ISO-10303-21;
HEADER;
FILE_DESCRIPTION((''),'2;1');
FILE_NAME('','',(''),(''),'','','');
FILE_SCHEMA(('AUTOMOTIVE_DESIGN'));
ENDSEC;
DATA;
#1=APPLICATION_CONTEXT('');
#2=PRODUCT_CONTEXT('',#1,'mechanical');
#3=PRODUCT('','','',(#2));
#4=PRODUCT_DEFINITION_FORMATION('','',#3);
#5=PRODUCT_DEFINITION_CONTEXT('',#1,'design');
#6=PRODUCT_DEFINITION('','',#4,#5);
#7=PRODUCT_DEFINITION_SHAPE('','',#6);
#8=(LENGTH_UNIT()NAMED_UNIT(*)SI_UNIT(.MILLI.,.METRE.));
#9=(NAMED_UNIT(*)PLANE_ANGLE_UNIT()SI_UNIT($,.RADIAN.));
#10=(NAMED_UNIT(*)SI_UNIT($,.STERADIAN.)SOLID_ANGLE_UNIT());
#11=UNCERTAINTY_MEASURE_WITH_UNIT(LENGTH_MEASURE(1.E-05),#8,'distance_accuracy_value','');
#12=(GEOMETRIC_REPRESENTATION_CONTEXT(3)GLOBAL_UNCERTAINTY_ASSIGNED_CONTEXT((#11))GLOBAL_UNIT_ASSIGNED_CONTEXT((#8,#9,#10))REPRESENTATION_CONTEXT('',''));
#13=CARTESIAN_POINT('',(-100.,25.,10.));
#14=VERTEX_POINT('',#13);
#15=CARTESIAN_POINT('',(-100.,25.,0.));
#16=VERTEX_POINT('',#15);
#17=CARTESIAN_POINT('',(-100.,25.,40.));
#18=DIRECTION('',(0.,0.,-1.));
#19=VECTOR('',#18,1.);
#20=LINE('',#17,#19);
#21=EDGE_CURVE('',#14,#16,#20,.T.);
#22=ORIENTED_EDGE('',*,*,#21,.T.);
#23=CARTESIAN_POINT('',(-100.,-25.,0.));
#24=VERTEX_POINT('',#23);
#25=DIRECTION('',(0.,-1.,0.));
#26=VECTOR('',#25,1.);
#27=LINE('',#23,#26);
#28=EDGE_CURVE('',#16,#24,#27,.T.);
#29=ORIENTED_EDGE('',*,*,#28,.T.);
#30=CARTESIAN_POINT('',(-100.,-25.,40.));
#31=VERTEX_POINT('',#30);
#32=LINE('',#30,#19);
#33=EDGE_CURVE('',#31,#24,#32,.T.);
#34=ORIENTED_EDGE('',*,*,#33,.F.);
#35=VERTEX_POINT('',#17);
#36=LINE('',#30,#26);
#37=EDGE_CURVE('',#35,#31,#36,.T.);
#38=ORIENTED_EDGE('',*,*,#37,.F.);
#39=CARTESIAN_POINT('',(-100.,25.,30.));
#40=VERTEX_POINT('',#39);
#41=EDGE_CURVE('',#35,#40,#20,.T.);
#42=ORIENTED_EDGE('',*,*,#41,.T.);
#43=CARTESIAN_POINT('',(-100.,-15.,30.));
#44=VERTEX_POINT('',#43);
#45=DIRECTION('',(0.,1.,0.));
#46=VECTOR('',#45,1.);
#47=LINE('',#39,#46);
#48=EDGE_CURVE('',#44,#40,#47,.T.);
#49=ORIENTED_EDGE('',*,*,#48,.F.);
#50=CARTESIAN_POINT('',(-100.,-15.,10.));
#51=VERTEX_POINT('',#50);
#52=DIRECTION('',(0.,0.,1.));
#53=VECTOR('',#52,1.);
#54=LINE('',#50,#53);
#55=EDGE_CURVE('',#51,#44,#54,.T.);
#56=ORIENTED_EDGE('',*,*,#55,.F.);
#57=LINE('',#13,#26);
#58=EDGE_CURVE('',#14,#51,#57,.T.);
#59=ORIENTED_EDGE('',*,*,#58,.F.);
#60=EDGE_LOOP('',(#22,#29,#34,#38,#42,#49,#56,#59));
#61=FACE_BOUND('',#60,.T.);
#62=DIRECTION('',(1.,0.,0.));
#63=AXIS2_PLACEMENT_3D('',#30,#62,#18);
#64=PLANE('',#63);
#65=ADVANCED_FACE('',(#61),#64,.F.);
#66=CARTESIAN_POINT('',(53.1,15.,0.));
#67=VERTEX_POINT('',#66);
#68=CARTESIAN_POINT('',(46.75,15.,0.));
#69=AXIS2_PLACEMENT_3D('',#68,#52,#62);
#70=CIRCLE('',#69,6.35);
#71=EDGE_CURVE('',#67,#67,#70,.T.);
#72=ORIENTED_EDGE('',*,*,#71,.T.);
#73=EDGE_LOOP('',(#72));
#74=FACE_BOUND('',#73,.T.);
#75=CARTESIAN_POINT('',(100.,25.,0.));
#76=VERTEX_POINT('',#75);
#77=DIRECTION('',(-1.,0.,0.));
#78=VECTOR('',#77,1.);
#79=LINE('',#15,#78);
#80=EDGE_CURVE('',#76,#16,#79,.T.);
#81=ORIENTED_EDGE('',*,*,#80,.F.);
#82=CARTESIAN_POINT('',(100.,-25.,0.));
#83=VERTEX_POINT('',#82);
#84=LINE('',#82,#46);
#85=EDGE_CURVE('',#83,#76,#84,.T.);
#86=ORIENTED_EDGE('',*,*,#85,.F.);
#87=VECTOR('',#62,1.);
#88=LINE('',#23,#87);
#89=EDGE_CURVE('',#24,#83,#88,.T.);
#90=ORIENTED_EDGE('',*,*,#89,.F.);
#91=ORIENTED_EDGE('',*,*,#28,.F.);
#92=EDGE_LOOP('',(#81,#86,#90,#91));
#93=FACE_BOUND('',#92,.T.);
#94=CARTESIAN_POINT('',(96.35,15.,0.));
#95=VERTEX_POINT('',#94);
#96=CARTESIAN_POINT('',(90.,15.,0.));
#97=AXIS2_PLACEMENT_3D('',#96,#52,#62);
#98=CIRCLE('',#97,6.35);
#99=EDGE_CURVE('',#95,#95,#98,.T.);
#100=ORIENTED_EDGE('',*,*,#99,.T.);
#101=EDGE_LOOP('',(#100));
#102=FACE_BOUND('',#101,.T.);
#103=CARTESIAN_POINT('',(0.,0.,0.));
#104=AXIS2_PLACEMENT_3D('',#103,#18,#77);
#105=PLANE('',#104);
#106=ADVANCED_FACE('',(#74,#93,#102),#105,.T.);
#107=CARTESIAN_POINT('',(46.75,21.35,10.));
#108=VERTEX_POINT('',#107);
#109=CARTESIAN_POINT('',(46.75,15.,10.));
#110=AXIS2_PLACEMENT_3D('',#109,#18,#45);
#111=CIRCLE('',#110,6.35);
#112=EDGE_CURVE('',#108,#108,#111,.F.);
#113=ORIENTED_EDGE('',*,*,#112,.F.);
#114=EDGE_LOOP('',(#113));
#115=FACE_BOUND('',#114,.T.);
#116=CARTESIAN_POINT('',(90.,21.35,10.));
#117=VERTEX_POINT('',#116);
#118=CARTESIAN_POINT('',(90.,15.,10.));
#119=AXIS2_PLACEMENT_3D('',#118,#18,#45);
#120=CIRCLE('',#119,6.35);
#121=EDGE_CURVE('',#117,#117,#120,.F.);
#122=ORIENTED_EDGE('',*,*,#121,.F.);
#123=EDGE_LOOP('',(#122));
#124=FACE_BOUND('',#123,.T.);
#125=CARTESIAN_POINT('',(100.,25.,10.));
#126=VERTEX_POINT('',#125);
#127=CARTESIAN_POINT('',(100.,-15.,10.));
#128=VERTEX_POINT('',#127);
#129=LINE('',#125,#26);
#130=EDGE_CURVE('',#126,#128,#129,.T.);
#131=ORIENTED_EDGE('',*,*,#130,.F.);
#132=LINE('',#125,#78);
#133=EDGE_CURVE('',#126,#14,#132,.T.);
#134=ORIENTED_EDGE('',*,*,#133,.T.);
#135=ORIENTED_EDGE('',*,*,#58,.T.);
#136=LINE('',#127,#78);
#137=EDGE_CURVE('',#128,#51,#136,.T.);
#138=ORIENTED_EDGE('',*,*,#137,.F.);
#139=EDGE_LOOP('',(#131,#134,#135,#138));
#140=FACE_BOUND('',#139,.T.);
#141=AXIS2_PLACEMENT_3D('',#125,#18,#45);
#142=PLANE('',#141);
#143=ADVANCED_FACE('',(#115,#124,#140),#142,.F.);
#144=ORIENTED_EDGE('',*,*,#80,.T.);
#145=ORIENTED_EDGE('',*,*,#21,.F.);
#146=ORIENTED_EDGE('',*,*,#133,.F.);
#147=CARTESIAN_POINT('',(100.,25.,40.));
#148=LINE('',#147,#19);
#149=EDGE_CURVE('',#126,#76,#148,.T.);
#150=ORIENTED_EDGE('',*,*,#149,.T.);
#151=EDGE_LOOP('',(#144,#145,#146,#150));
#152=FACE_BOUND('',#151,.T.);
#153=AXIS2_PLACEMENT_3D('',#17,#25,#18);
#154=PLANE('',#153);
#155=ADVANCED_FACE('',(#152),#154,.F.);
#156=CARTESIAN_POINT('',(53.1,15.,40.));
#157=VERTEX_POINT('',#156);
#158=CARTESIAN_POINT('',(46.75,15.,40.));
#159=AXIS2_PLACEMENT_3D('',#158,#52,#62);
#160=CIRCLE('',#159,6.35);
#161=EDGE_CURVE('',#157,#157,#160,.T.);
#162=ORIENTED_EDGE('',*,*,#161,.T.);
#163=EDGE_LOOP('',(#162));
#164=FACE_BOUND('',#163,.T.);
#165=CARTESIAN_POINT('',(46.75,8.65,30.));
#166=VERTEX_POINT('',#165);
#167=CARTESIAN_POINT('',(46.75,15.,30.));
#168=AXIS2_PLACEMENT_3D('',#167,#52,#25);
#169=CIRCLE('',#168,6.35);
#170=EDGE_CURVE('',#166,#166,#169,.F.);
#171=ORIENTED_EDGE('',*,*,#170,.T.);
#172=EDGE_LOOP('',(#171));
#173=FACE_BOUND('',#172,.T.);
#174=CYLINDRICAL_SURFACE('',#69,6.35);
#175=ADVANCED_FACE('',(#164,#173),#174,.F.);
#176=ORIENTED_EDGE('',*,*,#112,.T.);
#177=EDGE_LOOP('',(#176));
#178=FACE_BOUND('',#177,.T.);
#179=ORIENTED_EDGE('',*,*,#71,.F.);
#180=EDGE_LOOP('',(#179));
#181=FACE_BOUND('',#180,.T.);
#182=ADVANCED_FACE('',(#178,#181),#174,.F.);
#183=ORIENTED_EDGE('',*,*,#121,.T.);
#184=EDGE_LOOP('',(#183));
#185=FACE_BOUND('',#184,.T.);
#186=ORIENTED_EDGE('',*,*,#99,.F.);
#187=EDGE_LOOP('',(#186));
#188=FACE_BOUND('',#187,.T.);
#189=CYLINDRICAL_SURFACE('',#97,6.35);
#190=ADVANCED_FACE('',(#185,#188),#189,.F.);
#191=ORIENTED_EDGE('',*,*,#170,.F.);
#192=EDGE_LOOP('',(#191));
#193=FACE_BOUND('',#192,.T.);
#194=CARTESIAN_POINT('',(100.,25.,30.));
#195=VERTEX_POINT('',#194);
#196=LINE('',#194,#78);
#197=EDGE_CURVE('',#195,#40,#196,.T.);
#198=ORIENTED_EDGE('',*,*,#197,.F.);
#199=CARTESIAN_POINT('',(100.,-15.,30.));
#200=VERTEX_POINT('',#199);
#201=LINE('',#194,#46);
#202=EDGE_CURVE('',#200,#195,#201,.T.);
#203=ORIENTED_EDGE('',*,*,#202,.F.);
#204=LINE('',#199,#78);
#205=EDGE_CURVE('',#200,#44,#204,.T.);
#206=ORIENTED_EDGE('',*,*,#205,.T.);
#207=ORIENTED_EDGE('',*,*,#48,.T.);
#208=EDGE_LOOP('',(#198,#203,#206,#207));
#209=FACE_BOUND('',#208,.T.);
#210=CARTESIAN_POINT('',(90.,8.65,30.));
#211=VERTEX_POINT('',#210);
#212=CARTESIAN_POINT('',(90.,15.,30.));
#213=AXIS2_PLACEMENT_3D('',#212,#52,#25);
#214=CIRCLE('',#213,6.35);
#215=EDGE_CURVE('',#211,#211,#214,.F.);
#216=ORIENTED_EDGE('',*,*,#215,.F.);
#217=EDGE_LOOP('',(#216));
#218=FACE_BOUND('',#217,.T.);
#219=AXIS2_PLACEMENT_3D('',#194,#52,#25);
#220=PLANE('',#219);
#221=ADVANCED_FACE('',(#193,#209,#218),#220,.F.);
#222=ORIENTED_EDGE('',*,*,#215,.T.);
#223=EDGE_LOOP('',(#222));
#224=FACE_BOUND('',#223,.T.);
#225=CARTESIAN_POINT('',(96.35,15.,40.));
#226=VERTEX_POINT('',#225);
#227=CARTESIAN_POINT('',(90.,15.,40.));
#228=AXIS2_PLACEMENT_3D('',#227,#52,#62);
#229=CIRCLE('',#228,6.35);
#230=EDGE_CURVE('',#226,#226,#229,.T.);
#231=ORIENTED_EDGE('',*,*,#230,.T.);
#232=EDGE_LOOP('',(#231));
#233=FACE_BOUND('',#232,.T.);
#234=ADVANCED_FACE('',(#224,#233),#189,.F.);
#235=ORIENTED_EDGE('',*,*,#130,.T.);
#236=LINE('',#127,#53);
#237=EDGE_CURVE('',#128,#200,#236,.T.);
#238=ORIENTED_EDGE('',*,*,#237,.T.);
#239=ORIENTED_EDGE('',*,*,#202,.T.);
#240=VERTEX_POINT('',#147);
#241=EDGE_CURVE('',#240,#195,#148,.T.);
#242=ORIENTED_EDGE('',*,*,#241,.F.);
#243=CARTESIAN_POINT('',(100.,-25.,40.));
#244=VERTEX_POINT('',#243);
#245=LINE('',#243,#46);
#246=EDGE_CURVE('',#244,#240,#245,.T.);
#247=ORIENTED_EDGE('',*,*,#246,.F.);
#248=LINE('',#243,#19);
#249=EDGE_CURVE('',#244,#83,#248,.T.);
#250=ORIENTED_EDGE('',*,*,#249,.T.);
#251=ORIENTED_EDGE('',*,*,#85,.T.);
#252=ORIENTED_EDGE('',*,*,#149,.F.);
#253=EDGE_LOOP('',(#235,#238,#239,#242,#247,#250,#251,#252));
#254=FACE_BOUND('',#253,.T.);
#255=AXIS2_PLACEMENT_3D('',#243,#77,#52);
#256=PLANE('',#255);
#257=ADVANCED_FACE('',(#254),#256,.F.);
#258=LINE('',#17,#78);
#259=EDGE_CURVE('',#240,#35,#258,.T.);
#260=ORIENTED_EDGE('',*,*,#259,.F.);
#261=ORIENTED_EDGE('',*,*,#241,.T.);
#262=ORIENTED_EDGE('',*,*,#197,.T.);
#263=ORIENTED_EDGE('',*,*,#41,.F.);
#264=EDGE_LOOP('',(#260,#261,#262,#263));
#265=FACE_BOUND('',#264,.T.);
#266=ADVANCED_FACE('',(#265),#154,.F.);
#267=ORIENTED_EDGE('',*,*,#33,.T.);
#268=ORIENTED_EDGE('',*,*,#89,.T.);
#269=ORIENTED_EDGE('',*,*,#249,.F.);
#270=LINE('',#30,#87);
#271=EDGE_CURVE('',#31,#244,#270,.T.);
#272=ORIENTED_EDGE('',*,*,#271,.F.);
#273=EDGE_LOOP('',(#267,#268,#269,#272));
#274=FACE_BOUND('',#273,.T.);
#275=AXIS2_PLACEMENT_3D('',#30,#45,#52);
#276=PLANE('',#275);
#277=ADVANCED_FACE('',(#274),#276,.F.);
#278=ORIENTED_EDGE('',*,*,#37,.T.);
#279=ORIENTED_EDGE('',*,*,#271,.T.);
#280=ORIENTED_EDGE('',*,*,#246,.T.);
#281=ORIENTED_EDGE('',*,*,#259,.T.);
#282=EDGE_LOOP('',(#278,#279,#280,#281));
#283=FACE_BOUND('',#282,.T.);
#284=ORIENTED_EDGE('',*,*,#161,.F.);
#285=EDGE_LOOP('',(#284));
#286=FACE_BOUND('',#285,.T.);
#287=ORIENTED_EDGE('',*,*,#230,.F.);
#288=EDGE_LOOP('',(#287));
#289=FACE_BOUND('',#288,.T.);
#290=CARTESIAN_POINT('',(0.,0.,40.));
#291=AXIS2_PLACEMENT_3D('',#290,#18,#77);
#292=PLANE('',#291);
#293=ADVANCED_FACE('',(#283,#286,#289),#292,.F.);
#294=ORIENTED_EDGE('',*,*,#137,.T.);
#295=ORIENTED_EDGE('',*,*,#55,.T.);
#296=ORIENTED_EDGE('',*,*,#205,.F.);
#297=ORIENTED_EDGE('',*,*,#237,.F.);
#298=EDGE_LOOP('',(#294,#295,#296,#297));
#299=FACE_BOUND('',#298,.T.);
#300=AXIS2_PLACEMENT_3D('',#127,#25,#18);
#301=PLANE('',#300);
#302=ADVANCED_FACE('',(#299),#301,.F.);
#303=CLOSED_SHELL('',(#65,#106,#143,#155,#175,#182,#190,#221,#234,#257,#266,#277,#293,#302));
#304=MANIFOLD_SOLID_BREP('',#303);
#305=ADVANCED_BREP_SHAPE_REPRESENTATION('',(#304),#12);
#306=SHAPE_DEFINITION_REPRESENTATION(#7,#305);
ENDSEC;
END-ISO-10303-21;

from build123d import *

# Parameters (mm, degrees)
SKETCH1_W           = 200
SKETCH1_H           = 50
BOSS_EXTRUDE1_DEPTH = 40
SKETCH2_R           = 6.35
CUT_EXTRUDE1_DEPTH  = 111.566721937
SKETCH4_W           = 20
SKETCH4_H           = 40
CUT_EXTRUDE2_DEPTH  = 206.48722588


with BuildPart() as part:
    # Sketch1 → Boss-Extrude1 (new body)
    with BuildSketch(Plane.XY):
        Rectangle(SKETCH1_W, SKETCH1_H)
    extrude(amount=BOSS_EXTRUDE1_DEPTH)

    # Sketch2 → Cut-Extrude1 (cut, through all)
    with BuildSketch(Plane.XY.offset(40)):
        with Locations((90, 15)):
            Circle(SKETCH2_R)
        with Locations((46.75, 15)):
            Circle(SKETCH2_R)
    extrude(amount=-CUT_EXTRUDE1_DEPTH, mode=Mode.SUBTRACT)

    # Sketch4 → Cut-Extrude2 (cut, through all)
    with BuildSketch(Plane.ZY.offset(100)):
        with Locations((20, 5)):
            Rectangle(SKETCH4_W, SKETCH4_H)
    extrude(amount=-CUT_EXTRUDE2_DEPTH, mode=Mode.SUBTRACT)


solid = part.part
